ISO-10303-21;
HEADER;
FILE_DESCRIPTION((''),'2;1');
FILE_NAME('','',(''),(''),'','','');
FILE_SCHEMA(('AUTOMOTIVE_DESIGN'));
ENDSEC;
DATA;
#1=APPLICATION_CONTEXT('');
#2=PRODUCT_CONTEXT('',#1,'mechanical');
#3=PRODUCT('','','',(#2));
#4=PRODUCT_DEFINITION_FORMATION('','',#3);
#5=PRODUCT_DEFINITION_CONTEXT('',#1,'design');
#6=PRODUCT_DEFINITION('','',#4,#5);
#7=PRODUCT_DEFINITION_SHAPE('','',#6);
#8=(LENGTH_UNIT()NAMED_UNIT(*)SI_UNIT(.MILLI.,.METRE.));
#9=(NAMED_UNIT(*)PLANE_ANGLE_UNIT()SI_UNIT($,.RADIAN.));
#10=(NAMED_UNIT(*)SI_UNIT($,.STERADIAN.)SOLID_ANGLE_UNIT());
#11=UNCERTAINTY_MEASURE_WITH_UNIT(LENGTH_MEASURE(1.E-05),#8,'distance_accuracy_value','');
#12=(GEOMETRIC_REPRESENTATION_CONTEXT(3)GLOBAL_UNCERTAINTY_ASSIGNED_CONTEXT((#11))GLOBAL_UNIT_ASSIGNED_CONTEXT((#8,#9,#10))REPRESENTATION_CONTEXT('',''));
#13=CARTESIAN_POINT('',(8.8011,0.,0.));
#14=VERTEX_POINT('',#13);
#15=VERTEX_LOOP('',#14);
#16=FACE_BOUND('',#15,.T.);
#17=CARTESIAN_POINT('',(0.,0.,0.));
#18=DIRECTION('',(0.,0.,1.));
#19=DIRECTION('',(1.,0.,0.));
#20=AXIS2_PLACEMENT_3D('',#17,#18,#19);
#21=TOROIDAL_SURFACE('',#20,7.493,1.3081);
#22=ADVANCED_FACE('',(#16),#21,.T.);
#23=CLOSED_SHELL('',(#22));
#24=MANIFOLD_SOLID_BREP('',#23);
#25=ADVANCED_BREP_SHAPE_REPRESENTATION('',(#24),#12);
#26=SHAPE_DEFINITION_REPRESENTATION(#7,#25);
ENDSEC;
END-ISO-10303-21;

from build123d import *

# Parameters (mm, degrees)
SKETCH1_R = 1.3081


with BuildPart() as part:
    # Sketch1 → Revolve1 (revolve)
    with BuildSketch(Plane(origin=(0, 0, 0), x_dir=(0, -1, 0), z_dir=(1, 0, 0)), mode=Mode.PRIVATE) as revolve1_sk:
        with Locations((7.493, 0)):
            Circle(SKETCH1_R)
    revolve(revolve1_sk.sketch.rotate(Axis((0, 0, 1.3081), (0, 0, -1)), 270), axis=Axis((0, 0, 1.3081), (0, 0, -1)))


solid = part.part
